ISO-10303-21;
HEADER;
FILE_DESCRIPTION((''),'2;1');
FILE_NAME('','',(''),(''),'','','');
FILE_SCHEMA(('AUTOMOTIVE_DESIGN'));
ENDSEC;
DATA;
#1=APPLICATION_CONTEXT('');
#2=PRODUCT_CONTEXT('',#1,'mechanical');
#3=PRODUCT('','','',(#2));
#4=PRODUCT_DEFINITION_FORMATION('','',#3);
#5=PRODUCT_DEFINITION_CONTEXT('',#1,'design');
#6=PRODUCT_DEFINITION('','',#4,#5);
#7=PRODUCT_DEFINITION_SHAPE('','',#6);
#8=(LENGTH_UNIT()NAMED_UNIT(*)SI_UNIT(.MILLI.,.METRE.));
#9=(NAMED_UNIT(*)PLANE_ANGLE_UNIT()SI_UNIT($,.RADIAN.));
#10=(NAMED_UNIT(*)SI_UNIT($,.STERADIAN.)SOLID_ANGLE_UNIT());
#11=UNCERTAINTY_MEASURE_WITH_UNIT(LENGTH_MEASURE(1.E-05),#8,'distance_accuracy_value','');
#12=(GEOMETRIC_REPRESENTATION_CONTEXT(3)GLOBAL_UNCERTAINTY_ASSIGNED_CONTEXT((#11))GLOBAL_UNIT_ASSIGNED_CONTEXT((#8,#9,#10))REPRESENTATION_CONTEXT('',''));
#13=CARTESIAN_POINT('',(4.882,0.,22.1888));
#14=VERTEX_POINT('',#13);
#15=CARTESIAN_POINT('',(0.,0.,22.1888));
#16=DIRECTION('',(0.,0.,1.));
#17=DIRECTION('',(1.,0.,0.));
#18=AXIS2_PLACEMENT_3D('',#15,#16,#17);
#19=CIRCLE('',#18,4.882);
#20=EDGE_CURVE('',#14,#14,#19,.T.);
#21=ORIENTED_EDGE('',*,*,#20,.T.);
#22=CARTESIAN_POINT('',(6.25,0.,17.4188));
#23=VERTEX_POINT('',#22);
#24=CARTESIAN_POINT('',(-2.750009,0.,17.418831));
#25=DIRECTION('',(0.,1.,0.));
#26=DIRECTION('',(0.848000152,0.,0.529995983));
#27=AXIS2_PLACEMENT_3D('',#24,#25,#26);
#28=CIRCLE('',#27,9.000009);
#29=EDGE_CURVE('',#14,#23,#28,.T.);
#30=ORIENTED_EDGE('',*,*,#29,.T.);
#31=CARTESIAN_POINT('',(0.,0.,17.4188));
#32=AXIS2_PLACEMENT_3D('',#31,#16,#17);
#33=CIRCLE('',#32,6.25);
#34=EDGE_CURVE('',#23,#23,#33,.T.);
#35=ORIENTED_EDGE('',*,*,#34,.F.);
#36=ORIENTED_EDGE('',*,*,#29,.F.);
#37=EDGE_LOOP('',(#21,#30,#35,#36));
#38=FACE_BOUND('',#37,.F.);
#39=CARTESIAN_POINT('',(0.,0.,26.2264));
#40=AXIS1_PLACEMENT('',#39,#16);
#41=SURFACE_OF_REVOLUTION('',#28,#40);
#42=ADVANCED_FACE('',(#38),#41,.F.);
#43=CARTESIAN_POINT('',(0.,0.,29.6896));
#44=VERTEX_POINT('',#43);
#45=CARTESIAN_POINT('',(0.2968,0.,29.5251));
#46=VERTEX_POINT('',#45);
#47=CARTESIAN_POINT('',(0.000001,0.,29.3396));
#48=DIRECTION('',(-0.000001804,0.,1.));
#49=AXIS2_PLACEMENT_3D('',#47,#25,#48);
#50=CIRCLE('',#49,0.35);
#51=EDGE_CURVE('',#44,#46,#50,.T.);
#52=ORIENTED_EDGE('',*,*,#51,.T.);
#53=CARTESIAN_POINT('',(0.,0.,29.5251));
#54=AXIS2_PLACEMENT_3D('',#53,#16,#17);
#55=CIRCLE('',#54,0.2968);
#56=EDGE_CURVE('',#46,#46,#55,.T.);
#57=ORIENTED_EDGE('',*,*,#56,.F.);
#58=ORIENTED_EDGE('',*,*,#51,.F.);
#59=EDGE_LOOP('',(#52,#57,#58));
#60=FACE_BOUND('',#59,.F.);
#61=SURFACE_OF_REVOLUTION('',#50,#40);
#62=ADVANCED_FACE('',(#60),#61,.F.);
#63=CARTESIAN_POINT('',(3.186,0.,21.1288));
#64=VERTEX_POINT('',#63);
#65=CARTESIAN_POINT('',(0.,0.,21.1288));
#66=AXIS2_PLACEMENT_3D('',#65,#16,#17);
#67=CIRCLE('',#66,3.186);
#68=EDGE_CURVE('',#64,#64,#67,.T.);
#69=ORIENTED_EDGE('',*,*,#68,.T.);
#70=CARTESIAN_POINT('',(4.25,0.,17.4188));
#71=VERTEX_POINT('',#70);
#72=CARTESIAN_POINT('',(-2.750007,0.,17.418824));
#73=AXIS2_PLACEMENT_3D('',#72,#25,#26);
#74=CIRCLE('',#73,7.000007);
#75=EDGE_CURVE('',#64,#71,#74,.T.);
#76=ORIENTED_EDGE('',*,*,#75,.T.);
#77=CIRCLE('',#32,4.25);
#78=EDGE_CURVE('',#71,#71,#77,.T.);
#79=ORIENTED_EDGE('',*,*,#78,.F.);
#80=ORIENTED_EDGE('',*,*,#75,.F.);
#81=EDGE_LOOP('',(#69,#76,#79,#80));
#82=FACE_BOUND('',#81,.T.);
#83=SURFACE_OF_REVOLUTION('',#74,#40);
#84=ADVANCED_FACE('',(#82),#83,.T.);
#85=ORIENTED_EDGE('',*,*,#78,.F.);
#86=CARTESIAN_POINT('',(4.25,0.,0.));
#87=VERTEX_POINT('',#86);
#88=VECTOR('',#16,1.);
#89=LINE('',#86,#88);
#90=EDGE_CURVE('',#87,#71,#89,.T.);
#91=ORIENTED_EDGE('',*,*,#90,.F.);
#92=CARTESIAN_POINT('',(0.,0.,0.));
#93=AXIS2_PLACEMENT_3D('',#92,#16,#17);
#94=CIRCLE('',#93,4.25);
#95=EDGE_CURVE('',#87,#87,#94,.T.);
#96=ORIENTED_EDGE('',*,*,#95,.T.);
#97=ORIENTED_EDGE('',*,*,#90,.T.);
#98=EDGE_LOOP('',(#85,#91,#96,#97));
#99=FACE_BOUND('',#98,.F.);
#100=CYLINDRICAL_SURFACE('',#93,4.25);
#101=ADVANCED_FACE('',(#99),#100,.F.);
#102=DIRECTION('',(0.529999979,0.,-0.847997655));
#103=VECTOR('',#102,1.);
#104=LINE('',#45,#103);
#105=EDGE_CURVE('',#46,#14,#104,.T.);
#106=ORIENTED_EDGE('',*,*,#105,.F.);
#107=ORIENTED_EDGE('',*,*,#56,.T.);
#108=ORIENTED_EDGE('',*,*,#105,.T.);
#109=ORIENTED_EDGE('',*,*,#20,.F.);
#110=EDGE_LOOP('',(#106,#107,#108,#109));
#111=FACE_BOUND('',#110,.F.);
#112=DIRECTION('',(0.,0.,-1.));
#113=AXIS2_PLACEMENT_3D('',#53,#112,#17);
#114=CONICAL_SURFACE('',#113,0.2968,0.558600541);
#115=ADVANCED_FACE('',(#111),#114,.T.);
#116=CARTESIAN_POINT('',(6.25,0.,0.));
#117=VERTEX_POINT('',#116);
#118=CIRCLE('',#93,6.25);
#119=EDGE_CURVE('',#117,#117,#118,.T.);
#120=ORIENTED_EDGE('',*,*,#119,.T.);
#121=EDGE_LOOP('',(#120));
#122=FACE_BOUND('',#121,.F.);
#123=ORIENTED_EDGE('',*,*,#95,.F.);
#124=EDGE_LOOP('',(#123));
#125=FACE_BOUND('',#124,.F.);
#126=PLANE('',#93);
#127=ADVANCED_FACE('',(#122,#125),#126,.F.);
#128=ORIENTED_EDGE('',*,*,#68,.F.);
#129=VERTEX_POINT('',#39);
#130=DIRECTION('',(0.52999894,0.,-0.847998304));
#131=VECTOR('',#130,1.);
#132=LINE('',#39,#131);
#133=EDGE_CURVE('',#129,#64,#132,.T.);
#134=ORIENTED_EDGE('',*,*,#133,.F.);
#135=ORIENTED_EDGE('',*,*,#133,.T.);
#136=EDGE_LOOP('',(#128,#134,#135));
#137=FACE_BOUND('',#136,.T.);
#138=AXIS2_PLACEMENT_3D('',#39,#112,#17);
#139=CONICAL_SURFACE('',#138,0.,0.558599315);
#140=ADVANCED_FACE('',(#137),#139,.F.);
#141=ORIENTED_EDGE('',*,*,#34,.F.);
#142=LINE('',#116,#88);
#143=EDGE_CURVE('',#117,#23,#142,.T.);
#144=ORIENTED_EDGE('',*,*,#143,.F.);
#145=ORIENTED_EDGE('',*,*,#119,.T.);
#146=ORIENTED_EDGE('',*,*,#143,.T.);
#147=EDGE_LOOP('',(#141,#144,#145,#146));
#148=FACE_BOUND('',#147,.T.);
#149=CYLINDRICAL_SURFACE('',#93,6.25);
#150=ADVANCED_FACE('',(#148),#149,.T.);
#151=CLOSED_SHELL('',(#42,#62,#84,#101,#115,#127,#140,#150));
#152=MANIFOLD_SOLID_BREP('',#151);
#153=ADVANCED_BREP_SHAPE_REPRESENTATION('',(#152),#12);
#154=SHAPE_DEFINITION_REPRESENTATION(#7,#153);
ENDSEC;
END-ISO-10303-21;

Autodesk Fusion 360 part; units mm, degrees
sketch "Schizzo2" plane through (0, 0, 0) normal (0, 1, 0) x (1, 0, 0)
  line L0 (6.25, 0) -> (6.25, -17.4188)
  line L1 (0.2968, -29.5251) -> (4.882, -22.1888)
  line L2 (0, -26.2264) -> (0, -29.6896)
  arc A0 (4.882, -22.1888) -> (6.25, -17.4188) centre (-2.75, -17.4188) ccw
  line L3 (0.9375, -28.5) -> (0, -28.5) construction
  arc A1 (0, -29.6896) -> (0.2968, -29.5251) centre (0, -29.3396) ccw
  line L4 (0, -26.2264) -> (3.186, -21.1288)
  arc A2 (3.186, -21.1288) -> (4.25, -17.4188) centre (-2.75, -17.4188) ccw
  line L5 (4.25, 0) -> (4.25, -17.4188)
  line L6 (6.25, 0) -> (4.25, 0)
  dimension "d9" = 6.25
  dimension "d24" = 9
  dimension "d25" = 0.35
revolve "Rivoluzione6" add sketch "Schizzo2" angle 360 about axis through (0, 0, 26.2264) along (0, 0, 1)
revolve "Rivoluzione5" [suppressed]
revolve "Rivoluzione3" [suppressed]
ref_plane "Piano di lavoro1" through (0, -3, 0) normal (0, 1, 0) x (0, 0, 1)
revolve "Rivoluzione4" [suppressed]
revolve "Rivoluzione2" [suppressed]
sketch "Schizzo3" plane through (0, 0, 0) normal (0, 1, 0) x (1, 0, 0)
  line L0 (0, 1) -> (0, -23)
revolve "Rivoluzione1" [suppressed]
equation "d9 = ( 12.5 / 2 ) * 1 mm"
